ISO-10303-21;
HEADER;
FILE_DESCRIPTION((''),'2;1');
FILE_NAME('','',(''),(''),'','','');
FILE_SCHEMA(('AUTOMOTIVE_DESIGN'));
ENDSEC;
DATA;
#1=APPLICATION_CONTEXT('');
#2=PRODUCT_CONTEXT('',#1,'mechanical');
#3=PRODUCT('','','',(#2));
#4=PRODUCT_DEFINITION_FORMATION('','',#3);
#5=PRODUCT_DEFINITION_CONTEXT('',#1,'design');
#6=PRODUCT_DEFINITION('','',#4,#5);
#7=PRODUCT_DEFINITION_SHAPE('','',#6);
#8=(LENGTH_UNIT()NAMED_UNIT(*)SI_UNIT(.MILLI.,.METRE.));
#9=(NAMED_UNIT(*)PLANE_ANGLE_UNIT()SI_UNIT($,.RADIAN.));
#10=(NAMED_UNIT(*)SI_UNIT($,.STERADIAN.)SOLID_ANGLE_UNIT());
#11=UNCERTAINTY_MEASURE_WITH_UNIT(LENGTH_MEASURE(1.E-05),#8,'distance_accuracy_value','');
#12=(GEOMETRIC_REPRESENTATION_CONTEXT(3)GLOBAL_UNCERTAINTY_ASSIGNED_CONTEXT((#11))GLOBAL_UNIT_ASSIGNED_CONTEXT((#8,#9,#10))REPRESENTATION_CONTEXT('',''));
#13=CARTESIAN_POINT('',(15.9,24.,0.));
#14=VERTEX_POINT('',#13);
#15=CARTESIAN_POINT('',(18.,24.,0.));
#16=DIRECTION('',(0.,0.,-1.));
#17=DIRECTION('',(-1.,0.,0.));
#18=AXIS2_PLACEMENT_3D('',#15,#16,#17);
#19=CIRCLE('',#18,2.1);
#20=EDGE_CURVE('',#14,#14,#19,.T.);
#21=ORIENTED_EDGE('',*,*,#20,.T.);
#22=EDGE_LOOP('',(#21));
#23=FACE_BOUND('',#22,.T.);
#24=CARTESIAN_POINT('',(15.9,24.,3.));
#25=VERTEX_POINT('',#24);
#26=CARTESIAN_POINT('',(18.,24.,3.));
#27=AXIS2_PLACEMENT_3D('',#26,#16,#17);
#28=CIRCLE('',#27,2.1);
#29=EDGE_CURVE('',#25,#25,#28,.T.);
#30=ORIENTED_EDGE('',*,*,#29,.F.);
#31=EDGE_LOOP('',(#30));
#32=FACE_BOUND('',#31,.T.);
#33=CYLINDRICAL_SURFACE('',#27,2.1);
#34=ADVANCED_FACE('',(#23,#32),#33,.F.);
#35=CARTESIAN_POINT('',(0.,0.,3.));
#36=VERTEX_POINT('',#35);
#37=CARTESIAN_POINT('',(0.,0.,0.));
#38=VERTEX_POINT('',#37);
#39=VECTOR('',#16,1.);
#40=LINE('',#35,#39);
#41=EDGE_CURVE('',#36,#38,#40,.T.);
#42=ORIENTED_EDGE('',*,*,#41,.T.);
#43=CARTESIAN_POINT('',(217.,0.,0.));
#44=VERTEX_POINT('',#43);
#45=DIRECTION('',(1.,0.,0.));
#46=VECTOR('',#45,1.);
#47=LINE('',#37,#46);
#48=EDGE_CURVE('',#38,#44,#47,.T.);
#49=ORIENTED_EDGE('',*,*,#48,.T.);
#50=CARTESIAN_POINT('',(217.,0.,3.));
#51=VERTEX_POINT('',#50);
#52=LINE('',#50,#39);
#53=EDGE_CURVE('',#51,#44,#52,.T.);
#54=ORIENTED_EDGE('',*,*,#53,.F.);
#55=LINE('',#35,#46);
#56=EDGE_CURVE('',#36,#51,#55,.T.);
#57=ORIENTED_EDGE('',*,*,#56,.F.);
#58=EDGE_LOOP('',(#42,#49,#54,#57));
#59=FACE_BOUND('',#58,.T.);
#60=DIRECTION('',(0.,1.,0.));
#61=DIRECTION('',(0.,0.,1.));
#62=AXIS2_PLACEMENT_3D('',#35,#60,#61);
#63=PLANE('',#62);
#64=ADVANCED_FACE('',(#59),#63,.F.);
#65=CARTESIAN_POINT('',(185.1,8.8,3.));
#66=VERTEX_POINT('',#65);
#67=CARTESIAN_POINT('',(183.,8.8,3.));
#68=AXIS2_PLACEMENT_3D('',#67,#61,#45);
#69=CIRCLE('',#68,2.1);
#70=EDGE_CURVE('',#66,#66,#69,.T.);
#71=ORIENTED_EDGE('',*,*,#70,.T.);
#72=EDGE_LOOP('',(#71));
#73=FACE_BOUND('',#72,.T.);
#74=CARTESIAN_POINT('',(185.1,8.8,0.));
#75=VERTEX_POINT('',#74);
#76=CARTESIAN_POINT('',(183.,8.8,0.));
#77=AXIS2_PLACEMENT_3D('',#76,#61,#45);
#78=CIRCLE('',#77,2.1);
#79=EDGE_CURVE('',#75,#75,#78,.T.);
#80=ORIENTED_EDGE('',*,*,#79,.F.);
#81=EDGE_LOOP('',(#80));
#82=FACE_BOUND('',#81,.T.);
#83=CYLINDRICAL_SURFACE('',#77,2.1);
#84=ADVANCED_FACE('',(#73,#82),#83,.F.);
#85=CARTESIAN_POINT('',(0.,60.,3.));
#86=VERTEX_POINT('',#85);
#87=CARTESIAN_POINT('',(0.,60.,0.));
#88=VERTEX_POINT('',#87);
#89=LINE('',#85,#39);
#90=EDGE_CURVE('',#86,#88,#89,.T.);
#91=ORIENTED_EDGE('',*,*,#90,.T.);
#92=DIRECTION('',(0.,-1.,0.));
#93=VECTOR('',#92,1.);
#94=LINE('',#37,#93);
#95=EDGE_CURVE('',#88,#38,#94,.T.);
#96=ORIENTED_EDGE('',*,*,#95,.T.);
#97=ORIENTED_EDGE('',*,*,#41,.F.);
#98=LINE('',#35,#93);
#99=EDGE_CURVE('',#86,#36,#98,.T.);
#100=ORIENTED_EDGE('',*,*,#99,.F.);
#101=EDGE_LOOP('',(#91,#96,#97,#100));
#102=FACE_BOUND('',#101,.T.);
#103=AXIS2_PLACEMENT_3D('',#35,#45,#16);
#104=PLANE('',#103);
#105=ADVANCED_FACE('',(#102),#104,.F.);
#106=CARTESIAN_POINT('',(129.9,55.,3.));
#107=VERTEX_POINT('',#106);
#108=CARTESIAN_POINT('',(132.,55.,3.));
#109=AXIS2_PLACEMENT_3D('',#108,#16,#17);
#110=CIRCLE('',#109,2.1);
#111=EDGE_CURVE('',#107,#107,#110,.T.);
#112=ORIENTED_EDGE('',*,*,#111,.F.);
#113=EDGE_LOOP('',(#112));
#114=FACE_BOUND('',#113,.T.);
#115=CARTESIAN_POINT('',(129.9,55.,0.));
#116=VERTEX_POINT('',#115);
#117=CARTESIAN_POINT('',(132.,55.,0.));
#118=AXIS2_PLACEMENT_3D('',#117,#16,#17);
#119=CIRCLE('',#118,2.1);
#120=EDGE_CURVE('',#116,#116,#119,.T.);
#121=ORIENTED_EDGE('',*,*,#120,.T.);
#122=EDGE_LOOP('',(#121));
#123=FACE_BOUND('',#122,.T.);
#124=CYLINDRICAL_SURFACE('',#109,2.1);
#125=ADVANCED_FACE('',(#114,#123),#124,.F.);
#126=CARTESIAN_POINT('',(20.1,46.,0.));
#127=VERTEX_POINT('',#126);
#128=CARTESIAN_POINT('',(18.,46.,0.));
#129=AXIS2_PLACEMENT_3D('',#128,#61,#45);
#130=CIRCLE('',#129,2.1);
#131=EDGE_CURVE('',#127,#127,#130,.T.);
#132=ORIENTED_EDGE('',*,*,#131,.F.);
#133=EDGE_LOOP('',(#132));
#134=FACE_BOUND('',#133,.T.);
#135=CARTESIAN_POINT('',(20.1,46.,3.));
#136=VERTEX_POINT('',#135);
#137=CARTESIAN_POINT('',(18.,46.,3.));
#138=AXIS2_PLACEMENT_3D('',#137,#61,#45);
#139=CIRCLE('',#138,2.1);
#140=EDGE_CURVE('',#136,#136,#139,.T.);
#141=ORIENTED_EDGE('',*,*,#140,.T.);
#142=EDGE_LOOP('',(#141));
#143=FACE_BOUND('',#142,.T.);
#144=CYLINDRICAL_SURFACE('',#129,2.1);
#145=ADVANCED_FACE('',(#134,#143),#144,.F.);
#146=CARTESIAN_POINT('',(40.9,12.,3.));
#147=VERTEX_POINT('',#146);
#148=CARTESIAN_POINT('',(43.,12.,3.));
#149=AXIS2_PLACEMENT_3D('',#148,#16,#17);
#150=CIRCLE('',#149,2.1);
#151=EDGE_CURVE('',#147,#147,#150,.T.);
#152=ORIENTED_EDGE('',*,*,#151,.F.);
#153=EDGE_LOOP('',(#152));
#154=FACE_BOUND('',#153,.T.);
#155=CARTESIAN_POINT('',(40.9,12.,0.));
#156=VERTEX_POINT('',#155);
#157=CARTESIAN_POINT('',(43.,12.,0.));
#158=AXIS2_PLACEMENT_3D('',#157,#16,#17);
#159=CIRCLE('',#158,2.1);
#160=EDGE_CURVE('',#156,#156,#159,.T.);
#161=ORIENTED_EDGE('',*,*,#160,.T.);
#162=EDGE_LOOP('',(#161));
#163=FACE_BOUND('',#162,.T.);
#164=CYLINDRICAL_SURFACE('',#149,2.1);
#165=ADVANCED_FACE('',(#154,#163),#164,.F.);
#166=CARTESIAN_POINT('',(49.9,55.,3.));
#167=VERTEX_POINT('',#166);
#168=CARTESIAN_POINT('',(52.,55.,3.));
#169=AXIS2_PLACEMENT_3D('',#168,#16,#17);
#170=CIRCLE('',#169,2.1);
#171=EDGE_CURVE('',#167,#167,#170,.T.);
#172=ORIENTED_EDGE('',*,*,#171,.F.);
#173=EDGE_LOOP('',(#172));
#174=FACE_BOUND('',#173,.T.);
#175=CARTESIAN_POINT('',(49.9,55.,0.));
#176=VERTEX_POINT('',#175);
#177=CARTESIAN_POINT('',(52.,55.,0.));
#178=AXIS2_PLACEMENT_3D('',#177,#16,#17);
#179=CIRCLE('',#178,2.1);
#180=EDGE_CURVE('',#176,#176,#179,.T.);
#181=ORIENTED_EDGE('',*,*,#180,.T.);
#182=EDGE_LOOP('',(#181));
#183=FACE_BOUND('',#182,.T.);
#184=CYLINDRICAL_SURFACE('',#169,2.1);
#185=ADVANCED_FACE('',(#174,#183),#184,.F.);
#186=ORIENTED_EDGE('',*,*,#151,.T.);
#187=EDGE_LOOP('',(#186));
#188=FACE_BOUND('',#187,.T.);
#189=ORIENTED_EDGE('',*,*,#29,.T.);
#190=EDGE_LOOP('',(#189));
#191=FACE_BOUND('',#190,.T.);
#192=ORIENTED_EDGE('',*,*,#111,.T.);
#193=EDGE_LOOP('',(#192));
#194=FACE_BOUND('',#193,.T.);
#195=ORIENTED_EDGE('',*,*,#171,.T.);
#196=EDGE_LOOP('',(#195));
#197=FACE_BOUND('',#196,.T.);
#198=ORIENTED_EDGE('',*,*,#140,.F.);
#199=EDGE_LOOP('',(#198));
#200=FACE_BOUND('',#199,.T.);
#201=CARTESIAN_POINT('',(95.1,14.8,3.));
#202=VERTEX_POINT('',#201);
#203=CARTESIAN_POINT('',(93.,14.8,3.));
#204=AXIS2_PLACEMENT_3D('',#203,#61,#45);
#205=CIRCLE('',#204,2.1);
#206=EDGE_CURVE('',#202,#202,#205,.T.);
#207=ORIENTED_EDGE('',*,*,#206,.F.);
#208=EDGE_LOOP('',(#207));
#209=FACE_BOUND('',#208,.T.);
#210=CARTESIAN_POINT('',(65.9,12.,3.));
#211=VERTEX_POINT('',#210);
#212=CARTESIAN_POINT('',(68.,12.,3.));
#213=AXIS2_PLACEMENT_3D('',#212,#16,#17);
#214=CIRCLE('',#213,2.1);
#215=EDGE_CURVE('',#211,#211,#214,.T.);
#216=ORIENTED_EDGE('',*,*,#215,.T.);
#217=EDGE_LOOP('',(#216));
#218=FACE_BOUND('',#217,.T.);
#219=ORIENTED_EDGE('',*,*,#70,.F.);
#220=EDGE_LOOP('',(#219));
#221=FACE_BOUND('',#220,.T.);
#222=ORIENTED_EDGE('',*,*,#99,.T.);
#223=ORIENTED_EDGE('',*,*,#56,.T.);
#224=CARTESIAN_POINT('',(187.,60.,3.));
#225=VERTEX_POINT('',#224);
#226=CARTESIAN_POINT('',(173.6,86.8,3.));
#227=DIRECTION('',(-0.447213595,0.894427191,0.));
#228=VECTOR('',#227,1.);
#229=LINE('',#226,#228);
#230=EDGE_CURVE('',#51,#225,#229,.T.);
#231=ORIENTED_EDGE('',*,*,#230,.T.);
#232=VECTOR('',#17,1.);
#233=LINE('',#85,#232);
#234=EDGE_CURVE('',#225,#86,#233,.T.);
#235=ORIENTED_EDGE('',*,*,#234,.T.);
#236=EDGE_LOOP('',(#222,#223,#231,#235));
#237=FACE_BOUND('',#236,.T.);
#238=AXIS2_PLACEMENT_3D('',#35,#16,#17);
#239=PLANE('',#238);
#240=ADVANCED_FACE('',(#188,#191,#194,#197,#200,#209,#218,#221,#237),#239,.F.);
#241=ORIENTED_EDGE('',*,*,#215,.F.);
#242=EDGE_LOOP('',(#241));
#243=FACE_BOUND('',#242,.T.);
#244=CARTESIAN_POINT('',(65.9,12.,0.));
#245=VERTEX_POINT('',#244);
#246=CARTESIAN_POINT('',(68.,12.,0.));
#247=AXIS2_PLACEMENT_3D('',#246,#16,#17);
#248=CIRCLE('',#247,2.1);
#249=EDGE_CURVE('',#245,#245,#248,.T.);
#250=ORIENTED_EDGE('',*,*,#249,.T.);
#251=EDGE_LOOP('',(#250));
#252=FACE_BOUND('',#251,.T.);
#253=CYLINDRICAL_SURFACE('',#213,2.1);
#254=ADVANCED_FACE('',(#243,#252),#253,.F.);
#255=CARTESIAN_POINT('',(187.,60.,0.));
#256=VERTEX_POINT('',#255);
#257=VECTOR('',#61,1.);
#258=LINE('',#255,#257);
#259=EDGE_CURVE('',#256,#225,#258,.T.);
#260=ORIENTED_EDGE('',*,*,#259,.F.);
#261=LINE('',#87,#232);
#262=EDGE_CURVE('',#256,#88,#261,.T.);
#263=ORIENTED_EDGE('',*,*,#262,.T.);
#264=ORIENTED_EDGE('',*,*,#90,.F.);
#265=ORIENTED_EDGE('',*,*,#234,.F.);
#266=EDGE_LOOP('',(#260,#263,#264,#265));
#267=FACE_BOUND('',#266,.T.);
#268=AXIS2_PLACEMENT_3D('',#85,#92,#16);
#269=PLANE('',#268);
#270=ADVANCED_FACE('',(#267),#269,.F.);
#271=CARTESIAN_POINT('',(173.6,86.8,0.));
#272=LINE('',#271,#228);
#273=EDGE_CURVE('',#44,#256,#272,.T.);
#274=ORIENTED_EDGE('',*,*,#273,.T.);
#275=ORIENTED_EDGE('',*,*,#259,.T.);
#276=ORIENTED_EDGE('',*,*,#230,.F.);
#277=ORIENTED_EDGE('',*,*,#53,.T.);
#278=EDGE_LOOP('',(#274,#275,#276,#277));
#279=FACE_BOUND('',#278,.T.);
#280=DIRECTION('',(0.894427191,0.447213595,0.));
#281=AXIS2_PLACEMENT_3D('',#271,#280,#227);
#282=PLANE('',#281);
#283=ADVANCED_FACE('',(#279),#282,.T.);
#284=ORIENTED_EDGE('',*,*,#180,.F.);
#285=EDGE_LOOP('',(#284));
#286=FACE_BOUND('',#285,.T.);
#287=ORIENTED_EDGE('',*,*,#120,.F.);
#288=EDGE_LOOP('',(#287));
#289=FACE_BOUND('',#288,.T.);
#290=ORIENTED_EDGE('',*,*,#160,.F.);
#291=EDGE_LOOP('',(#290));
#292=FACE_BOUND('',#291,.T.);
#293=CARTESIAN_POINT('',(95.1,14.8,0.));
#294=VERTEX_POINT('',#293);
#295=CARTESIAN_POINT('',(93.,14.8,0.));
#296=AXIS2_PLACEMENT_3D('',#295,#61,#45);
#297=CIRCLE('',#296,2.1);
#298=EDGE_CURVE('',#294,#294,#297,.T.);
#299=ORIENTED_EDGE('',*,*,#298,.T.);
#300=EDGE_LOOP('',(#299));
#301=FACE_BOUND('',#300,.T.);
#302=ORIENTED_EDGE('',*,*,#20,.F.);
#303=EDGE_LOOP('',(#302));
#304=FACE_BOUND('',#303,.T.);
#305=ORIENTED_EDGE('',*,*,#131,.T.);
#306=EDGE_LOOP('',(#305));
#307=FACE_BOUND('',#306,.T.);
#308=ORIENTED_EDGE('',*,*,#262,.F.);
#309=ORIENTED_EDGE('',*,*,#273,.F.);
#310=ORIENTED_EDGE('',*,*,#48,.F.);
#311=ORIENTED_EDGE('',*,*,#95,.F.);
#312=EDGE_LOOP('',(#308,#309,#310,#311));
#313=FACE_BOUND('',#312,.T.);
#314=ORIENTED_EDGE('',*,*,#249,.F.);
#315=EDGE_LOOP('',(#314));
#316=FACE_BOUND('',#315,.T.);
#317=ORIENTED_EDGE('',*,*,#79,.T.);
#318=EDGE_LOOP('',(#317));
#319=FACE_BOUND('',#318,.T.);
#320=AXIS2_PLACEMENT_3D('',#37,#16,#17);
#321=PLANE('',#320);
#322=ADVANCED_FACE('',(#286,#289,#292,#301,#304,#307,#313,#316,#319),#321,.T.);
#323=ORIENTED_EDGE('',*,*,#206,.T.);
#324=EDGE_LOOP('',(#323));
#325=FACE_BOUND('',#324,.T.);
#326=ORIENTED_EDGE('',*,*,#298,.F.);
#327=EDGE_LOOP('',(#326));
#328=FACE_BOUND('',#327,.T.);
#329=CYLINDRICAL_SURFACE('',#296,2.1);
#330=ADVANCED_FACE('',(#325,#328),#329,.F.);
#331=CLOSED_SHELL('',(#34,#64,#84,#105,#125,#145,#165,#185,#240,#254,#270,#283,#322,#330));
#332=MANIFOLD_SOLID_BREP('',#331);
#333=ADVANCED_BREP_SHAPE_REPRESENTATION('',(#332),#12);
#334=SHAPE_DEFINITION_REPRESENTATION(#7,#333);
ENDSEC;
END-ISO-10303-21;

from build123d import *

# Parameters (mm, degrees)
SZKIC1_W                    = 217
SZKIC1_H                    = 60
DODANIE_WYCI_GNI_CIE1_DEPTH = 3
WYTNIJ_WYCI_GNI_CIE1_DEPTH  = 226.162163784
SZKIC3_R                    = 2.1
WYTNIJ_WYCI_GNI_CIE2_DEPTH  = 226.162163784
SZKIC4_R                    = 2.1
WYTNIJ_WYCI_GNI_CIE3_DEPTH  = 226.162163784
SZKIC5_R                    = 2.1
WYTNIJ_WYCI_GNI_CIE4_DEPTH  = 226.162163784
SZKIC6_R                    = 2.1
WYTNIJ_WYCI_GNI_CIE5_DEPTH  = 226.162163784


with BuildPart() as part:
    # Szkic1 → Dodanie-wyciągnięcie1 (new body)
    with BuildSketch(Plane.XY):
        with Locations((108.5, 30)):
            Rectangle(SZKIC1_W, SZKIC1_H)
    extrude(amount=DODANIE_WYCI_GNI_CIE1_DEPTH)

    # Szkic2 → Wytnij-wyciągnięcie1 (cut, through all)
    with BuildSketch(Plane.XY.offset(3)):
        Polygon((187, 60), (217, 0), (217, 60), align=None)
    extrude(amount=-WYTNIJ_WYCI_GNI_CIE1_DEPTH, mode=Mode.SUBTRACT)

    # Szkic3 → Wytnij-wyciągnięcie2 (cut, through all)
    with BuildSketch(Plane(origin=(0, 0, 0), x_dir=(-1, 0, 0), z_dir=(0, 0, -1))):
        with Locations((-18, 24)):
            Circle(SZKIC3_R)
        with Locations((-43, 12)):
            Circle(SZKIC3_R)
        with Locations((-68, 12)):
            Circle(SZKIC3_R)
    extrude(amount=-WYTNIJ_WYCI_GNI_CIE2_DEPTH, mode=Mode.SUBTRACT)

    # Szkic4 → Wytnij-wyciągnięcie3 (cut, through all)
    with BuildSketch(Plane.XY.offset(3)):
        with Locations((93, 14.8)):
            Circle(SZKIC4_R)
        with Locations((183, 8.8)):
            Circle(SZKIC4_R)
    extrude(amount=-WYTNIJ_WYCI_GNI_CIE3_DEPTH, mode=Mode.SUBTRACT)

    # Szkic5 → Wytnij-wyciągnięcie4 (cut, through all)
    with BuildSketch(Plane.XY.offset(3)):
        with Locations((18, 46)):
            Circle(SZKIC5_R)
    extrude(amount=-WYTNIJ_WYCI_GNI_CIE4_DEPTH, mode=Mode.SUBTRACT)

    # Szkic6 → Wytnij-wyciągnięcie5 (cut, through all)
    with BuildSketch(Plane(origin=(0, 0, 0), x_dir=(-1, 0, 0), z_dir=(0, 0, -1))):
        with Locations((-52, 55)):
            Circle(SZKIC6_R)
        with Locations((-132, 55)):
            Circle(SZKIC6_R)
    extrude(amount=-WYTNIJ_WYCI_GNI_CIE5_DEPTH, mode=Mode.SUBTRACT)


solid = part.part
